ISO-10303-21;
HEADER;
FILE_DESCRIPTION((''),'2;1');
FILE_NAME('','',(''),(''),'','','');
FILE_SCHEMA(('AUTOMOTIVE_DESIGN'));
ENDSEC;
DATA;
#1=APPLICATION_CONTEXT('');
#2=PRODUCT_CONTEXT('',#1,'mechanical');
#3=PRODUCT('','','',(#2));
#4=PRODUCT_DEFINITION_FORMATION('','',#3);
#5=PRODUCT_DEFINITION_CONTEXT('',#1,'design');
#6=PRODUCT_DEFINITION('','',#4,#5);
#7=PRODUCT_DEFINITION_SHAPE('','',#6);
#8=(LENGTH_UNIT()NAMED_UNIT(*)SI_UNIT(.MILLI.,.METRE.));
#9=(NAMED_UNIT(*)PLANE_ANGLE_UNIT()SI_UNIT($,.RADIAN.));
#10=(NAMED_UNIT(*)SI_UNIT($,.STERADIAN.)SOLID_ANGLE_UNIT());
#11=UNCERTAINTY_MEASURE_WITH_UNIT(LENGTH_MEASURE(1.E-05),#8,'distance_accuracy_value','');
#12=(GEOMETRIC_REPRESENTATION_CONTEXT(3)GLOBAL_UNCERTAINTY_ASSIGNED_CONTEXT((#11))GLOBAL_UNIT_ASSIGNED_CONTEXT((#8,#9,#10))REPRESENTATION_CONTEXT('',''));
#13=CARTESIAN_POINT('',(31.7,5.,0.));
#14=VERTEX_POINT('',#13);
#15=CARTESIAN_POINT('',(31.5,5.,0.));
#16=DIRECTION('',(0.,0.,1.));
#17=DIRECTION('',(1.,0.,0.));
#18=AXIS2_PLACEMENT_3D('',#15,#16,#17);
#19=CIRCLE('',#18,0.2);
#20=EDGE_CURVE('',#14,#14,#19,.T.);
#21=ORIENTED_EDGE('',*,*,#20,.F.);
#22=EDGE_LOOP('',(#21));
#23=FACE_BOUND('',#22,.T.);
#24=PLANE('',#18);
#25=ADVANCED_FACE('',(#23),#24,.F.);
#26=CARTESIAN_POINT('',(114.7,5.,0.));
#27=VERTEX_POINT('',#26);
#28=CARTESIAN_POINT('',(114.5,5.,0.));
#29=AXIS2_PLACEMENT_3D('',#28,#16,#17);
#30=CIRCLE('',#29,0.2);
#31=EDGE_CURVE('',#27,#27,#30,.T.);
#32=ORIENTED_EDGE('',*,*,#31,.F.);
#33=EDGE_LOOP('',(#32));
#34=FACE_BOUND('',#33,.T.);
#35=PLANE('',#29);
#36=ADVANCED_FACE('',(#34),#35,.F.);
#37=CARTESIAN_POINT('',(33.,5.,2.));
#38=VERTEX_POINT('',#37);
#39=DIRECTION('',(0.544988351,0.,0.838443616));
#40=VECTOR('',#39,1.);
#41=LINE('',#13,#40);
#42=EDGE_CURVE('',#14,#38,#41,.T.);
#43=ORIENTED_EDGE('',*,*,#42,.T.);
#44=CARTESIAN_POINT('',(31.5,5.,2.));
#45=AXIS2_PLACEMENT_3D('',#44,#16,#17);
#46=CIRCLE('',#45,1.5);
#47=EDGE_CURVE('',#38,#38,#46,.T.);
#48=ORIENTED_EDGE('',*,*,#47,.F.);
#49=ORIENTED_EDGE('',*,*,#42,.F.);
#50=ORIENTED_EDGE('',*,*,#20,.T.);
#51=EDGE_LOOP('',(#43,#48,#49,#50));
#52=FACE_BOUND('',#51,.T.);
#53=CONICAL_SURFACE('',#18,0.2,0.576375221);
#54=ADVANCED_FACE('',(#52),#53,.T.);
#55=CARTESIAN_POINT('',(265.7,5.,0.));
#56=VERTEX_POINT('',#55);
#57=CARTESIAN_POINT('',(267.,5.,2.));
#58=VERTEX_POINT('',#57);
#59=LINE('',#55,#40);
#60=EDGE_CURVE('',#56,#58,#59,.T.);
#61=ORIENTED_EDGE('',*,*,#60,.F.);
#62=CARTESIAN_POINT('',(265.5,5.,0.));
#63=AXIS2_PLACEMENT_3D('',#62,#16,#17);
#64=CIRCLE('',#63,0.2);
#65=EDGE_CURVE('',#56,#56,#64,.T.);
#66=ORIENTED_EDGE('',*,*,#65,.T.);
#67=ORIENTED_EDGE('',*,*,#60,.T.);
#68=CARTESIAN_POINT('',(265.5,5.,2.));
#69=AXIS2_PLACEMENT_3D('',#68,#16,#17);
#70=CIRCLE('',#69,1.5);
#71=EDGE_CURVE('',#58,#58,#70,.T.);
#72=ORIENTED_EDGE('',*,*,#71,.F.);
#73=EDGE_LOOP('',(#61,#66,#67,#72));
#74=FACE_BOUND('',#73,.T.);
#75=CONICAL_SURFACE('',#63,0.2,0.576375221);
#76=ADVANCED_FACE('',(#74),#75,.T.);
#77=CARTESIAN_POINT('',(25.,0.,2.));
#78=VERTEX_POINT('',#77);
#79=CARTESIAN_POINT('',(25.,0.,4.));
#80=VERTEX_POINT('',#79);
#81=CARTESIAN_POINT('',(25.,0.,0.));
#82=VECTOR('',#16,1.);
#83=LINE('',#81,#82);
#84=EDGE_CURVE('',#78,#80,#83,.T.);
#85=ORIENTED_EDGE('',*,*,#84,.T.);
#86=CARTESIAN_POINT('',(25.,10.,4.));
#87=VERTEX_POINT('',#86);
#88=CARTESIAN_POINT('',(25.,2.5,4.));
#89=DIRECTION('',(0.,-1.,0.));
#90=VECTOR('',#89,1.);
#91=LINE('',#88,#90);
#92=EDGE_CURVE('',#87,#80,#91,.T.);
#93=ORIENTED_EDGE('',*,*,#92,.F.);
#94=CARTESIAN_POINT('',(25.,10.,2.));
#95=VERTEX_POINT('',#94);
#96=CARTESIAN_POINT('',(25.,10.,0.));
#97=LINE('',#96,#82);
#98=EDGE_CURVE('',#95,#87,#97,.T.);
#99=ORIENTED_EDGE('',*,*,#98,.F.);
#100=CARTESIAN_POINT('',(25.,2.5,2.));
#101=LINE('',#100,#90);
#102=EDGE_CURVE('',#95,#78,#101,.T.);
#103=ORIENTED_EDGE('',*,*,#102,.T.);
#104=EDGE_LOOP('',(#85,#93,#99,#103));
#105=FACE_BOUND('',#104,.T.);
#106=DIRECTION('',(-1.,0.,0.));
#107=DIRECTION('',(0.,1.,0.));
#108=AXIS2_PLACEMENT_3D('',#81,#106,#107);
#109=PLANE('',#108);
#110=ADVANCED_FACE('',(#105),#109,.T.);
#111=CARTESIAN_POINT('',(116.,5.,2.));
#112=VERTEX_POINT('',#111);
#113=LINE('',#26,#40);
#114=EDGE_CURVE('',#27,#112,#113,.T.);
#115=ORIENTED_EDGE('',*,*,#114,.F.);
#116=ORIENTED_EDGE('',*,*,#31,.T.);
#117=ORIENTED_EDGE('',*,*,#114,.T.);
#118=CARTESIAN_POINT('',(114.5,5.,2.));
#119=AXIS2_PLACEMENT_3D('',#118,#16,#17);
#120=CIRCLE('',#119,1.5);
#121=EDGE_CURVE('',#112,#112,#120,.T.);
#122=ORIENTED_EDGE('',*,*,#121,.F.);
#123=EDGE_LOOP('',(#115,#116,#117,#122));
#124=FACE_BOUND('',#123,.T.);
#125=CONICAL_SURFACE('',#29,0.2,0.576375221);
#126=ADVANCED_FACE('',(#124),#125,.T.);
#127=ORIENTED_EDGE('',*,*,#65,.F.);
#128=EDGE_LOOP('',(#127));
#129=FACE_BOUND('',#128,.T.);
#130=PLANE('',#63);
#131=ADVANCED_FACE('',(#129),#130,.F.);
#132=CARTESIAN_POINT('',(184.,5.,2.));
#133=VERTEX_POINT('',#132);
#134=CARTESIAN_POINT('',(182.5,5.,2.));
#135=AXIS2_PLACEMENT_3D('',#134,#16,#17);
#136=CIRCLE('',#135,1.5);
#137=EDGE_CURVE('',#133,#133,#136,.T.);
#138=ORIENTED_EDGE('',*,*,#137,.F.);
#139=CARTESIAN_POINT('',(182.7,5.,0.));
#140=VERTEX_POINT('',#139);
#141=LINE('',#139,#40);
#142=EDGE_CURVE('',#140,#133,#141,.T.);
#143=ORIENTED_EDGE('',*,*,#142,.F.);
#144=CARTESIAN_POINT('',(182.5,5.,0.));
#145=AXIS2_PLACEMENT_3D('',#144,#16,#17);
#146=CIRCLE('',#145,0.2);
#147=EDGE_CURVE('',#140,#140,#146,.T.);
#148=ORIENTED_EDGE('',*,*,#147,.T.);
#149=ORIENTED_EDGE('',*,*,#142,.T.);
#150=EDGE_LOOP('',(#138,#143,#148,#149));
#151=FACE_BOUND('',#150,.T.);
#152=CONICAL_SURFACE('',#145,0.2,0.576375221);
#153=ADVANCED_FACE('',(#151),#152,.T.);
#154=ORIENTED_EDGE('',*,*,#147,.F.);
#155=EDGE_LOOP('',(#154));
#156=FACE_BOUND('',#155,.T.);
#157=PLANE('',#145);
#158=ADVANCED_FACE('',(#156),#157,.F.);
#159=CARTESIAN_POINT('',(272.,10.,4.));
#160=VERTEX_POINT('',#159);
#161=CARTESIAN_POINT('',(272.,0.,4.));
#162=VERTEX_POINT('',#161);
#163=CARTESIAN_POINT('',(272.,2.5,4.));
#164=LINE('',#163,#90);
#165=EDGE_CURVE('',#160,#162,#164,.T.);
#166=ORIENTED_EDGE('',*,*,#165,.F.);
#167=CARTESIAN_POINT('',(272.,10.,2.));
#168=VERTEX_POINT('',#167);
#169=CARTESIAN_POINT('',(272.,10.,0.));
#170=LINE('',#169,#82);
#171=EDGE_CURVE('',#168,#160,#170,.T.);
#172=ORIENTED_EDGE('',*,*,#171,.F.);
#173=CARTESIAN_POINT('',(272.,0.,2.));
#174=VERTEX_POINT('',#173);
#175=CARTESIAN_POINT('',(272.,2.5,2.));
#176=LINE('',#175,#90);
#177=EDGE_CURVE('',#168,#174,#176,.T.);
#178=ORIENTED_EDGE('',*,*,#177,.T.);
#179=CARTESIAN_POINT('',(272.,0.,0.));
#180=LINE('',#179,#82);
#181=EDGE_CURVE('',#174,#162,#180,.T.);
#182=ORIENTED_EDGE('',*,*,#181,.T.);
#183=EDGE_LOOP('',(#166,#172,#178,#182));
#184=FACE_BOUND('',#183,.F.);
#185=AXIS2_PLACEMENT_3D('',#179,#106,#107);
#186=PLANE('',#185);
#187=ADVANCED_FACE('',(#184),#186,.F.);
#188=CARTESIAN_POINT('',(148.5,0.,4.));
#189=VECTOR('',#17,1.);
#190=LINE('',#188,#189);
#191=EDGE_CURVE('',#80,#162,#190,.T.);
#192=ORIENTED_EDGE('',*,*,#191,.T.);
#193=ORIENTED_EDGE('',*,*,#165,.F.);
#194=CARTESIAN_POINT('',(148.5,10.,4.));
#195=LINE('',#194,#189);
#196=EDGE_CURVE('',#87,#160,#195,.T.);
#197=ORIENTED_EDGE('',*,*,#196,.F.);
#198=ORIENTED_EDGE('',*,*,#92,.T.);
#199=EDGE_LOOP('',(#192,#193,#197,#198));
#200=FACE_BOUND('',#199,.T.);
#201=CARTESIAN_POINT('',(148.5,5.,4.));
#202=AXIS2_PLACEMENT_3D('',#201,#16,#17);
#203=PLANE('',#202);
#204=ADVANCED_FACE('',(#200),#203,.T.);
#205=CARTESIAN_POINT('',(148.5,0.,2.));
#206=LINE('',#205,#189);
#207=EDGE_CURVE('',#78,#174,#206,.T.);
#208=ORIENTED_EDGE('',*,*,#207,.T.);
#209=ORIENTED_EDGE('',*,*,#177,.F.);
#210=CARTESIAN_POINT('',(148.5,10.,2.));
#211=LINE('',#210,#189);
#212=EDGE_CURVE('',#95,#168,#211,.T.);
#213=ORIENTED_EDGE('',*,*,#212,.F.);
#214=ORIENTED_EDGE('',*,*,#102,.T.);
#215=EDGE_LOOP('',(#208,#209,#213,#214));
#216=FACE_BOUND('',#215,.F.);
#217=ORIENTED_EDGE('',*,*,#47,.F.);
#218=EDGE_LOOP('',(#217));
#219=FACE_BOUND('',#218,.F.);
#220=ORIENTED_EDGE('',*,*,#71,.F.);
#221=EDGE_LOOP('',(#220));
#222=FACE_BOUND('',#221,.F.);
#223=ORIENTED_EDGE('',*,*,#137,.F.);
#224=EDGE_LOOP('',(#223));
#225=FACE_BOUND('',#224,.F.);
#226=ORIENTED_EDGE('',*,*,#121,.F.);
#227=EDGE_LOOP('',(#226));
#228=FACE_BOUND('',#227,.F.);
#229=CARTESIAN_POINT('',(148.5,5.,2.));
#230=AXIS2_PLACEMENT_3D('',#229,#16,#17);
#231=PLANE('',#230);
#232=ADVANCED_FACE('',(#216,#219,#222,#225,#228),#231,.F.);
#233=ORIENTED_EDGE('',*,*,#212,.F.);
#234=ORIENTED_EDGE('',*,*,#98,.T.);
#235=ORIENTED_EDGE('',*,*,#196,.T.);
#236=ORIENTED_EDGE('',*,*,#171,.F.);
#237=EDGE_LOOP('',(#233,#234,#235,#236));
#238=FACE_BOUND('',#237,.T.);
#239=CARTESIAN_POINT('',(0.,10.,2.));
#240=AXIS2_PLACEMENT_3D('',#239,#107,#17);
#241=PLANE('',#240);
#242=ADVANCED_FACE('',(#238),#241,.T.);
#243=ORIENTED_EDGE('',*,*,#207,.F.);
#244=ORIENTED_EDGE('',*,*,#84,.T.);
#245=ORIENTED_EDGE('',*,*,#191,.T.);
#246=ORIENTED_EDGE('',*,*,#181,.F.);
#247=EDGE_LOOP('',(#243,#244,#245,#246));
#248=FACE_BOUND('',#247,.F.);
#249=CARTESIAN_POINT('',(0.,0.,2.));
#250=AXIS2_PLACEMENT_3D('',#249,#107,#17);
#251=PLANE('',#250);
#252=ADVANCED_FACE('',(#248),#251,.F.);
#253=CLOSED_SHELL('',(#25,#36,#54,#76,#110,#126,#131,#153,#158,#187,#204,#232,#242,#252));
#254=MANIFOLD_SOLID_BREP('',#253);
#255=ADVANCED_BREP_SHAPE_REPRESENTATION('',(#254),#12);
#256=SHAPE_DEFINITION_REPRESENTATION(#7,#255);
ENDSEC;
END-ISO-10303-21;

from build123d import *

# Parameters (mm, degrees)
BOX005_W     = 25
BOX005_H     = 10
BOX005_DEPTH = 10
BOX004_W     = 25
BOX004_H     = 10
BOX004_DEPTH = 10
BOX001_W     = 297
BOX001_H     = 10
BOX001_DEPTH = 2


with BuildPart() as cube005:
    # Box005 → Box005 (new body)
    with BuildSketch(Plane(origin=(272, 0, 0), x_dir=(1, 0, 0), z_dir=(0, 0, 1))):
        with Locations((12.5, 5)):
            Rectangle(BOX005_W, BOX005_H)
    extrude(amount=BOX005_DEPTH)


with BuildPart() as cube004:
    # Box004 → Box004 (new body)
    with BuildSketch(Plane.XY):
        with Locations((12.5, 5)):
            Rectangle(BOX004_W, BOX004_H)
    extrude(amount=BOX004_DEPTH)


with BuildPart() as cone004:
    # Cone004 → Cone004 (revolve)
    with BuildSketch(Plane(origin=(31.5, 5, 0), x_dir=(1, 0, 0), z_dir=(0, -1, 0))):
        Polygon((0, 0), (0.2, 0), (1.5, 2), (0, 2), align=None)
    revolve(axis=Axis((31.5, 5, 0), (0, 0, 1)))


with BuildPart() as cone005:
    # Cone005 → Cone005 (revolve)
    with BuildSketch(Plane(origin=(114.5, 5, 0), x_dir=(1, 0, 0), z_dir=(0, -1, 0))):
        Polygon((0, 0), (0.2, 0), (1.5, 2), (0, 2), align=None)
    revolve(axis=Axis((114.5, 5, 0), (0, 0, 1)))


with BuildPart() as cone006:
    # Cone006 → Cone006 (revolve)
    with BuildSketch(Plane(origin=(182.5, 5, 0), x_dir=(1, 0, 0), z_dir=(0, -1, 0))):
        Polygon((0, 0), (0.2, 0), (1.5, 2), (0, 2), align=None)
    revolve(axis=Axis((182.5, 5, 0), (0, 0, 1)))


with BuildPart() as cone007:
    # Cone007 → Cone007 (revolve)
    with BuildSketch(Plane(origin=(265.5, 5, 0), x_dir=(1, 0, 0), z_dir=(0, -1, 0))):
        Polygon((0, 0), (0.2, 0), (1.5, 2), (0, 2), align=None)
    revolve(axis=Axis((265.5, 5, 0), (0, 0, 1)))


with BuildPart() as cortador:
    # Box001 → Box001 (new body)
    with BuildSketch(Plane.XY.offset(2)):
        with Locations((148.5, 5)):
            Rectangle(BOX001_W, BOX001_H)
    extrude(amount=BOX001_DEPTH)

    # Fusion: union Cone007
    add(cone007.part)

    # Fusion001: union Cone006
    add(cone006.part)

    # Fusion002: union Cone005
    add(cone005.part)

    # Fusion003: union Cone004
    add(cone004.part)

    # Cut005: cut Cube004
    add(cube004.part, mode=Mode.SUBTRACT)

    # Cut006: cut Cube005
    add(cube005.part, mode=Mode.SUBTRACT)


solid = cortador.part
